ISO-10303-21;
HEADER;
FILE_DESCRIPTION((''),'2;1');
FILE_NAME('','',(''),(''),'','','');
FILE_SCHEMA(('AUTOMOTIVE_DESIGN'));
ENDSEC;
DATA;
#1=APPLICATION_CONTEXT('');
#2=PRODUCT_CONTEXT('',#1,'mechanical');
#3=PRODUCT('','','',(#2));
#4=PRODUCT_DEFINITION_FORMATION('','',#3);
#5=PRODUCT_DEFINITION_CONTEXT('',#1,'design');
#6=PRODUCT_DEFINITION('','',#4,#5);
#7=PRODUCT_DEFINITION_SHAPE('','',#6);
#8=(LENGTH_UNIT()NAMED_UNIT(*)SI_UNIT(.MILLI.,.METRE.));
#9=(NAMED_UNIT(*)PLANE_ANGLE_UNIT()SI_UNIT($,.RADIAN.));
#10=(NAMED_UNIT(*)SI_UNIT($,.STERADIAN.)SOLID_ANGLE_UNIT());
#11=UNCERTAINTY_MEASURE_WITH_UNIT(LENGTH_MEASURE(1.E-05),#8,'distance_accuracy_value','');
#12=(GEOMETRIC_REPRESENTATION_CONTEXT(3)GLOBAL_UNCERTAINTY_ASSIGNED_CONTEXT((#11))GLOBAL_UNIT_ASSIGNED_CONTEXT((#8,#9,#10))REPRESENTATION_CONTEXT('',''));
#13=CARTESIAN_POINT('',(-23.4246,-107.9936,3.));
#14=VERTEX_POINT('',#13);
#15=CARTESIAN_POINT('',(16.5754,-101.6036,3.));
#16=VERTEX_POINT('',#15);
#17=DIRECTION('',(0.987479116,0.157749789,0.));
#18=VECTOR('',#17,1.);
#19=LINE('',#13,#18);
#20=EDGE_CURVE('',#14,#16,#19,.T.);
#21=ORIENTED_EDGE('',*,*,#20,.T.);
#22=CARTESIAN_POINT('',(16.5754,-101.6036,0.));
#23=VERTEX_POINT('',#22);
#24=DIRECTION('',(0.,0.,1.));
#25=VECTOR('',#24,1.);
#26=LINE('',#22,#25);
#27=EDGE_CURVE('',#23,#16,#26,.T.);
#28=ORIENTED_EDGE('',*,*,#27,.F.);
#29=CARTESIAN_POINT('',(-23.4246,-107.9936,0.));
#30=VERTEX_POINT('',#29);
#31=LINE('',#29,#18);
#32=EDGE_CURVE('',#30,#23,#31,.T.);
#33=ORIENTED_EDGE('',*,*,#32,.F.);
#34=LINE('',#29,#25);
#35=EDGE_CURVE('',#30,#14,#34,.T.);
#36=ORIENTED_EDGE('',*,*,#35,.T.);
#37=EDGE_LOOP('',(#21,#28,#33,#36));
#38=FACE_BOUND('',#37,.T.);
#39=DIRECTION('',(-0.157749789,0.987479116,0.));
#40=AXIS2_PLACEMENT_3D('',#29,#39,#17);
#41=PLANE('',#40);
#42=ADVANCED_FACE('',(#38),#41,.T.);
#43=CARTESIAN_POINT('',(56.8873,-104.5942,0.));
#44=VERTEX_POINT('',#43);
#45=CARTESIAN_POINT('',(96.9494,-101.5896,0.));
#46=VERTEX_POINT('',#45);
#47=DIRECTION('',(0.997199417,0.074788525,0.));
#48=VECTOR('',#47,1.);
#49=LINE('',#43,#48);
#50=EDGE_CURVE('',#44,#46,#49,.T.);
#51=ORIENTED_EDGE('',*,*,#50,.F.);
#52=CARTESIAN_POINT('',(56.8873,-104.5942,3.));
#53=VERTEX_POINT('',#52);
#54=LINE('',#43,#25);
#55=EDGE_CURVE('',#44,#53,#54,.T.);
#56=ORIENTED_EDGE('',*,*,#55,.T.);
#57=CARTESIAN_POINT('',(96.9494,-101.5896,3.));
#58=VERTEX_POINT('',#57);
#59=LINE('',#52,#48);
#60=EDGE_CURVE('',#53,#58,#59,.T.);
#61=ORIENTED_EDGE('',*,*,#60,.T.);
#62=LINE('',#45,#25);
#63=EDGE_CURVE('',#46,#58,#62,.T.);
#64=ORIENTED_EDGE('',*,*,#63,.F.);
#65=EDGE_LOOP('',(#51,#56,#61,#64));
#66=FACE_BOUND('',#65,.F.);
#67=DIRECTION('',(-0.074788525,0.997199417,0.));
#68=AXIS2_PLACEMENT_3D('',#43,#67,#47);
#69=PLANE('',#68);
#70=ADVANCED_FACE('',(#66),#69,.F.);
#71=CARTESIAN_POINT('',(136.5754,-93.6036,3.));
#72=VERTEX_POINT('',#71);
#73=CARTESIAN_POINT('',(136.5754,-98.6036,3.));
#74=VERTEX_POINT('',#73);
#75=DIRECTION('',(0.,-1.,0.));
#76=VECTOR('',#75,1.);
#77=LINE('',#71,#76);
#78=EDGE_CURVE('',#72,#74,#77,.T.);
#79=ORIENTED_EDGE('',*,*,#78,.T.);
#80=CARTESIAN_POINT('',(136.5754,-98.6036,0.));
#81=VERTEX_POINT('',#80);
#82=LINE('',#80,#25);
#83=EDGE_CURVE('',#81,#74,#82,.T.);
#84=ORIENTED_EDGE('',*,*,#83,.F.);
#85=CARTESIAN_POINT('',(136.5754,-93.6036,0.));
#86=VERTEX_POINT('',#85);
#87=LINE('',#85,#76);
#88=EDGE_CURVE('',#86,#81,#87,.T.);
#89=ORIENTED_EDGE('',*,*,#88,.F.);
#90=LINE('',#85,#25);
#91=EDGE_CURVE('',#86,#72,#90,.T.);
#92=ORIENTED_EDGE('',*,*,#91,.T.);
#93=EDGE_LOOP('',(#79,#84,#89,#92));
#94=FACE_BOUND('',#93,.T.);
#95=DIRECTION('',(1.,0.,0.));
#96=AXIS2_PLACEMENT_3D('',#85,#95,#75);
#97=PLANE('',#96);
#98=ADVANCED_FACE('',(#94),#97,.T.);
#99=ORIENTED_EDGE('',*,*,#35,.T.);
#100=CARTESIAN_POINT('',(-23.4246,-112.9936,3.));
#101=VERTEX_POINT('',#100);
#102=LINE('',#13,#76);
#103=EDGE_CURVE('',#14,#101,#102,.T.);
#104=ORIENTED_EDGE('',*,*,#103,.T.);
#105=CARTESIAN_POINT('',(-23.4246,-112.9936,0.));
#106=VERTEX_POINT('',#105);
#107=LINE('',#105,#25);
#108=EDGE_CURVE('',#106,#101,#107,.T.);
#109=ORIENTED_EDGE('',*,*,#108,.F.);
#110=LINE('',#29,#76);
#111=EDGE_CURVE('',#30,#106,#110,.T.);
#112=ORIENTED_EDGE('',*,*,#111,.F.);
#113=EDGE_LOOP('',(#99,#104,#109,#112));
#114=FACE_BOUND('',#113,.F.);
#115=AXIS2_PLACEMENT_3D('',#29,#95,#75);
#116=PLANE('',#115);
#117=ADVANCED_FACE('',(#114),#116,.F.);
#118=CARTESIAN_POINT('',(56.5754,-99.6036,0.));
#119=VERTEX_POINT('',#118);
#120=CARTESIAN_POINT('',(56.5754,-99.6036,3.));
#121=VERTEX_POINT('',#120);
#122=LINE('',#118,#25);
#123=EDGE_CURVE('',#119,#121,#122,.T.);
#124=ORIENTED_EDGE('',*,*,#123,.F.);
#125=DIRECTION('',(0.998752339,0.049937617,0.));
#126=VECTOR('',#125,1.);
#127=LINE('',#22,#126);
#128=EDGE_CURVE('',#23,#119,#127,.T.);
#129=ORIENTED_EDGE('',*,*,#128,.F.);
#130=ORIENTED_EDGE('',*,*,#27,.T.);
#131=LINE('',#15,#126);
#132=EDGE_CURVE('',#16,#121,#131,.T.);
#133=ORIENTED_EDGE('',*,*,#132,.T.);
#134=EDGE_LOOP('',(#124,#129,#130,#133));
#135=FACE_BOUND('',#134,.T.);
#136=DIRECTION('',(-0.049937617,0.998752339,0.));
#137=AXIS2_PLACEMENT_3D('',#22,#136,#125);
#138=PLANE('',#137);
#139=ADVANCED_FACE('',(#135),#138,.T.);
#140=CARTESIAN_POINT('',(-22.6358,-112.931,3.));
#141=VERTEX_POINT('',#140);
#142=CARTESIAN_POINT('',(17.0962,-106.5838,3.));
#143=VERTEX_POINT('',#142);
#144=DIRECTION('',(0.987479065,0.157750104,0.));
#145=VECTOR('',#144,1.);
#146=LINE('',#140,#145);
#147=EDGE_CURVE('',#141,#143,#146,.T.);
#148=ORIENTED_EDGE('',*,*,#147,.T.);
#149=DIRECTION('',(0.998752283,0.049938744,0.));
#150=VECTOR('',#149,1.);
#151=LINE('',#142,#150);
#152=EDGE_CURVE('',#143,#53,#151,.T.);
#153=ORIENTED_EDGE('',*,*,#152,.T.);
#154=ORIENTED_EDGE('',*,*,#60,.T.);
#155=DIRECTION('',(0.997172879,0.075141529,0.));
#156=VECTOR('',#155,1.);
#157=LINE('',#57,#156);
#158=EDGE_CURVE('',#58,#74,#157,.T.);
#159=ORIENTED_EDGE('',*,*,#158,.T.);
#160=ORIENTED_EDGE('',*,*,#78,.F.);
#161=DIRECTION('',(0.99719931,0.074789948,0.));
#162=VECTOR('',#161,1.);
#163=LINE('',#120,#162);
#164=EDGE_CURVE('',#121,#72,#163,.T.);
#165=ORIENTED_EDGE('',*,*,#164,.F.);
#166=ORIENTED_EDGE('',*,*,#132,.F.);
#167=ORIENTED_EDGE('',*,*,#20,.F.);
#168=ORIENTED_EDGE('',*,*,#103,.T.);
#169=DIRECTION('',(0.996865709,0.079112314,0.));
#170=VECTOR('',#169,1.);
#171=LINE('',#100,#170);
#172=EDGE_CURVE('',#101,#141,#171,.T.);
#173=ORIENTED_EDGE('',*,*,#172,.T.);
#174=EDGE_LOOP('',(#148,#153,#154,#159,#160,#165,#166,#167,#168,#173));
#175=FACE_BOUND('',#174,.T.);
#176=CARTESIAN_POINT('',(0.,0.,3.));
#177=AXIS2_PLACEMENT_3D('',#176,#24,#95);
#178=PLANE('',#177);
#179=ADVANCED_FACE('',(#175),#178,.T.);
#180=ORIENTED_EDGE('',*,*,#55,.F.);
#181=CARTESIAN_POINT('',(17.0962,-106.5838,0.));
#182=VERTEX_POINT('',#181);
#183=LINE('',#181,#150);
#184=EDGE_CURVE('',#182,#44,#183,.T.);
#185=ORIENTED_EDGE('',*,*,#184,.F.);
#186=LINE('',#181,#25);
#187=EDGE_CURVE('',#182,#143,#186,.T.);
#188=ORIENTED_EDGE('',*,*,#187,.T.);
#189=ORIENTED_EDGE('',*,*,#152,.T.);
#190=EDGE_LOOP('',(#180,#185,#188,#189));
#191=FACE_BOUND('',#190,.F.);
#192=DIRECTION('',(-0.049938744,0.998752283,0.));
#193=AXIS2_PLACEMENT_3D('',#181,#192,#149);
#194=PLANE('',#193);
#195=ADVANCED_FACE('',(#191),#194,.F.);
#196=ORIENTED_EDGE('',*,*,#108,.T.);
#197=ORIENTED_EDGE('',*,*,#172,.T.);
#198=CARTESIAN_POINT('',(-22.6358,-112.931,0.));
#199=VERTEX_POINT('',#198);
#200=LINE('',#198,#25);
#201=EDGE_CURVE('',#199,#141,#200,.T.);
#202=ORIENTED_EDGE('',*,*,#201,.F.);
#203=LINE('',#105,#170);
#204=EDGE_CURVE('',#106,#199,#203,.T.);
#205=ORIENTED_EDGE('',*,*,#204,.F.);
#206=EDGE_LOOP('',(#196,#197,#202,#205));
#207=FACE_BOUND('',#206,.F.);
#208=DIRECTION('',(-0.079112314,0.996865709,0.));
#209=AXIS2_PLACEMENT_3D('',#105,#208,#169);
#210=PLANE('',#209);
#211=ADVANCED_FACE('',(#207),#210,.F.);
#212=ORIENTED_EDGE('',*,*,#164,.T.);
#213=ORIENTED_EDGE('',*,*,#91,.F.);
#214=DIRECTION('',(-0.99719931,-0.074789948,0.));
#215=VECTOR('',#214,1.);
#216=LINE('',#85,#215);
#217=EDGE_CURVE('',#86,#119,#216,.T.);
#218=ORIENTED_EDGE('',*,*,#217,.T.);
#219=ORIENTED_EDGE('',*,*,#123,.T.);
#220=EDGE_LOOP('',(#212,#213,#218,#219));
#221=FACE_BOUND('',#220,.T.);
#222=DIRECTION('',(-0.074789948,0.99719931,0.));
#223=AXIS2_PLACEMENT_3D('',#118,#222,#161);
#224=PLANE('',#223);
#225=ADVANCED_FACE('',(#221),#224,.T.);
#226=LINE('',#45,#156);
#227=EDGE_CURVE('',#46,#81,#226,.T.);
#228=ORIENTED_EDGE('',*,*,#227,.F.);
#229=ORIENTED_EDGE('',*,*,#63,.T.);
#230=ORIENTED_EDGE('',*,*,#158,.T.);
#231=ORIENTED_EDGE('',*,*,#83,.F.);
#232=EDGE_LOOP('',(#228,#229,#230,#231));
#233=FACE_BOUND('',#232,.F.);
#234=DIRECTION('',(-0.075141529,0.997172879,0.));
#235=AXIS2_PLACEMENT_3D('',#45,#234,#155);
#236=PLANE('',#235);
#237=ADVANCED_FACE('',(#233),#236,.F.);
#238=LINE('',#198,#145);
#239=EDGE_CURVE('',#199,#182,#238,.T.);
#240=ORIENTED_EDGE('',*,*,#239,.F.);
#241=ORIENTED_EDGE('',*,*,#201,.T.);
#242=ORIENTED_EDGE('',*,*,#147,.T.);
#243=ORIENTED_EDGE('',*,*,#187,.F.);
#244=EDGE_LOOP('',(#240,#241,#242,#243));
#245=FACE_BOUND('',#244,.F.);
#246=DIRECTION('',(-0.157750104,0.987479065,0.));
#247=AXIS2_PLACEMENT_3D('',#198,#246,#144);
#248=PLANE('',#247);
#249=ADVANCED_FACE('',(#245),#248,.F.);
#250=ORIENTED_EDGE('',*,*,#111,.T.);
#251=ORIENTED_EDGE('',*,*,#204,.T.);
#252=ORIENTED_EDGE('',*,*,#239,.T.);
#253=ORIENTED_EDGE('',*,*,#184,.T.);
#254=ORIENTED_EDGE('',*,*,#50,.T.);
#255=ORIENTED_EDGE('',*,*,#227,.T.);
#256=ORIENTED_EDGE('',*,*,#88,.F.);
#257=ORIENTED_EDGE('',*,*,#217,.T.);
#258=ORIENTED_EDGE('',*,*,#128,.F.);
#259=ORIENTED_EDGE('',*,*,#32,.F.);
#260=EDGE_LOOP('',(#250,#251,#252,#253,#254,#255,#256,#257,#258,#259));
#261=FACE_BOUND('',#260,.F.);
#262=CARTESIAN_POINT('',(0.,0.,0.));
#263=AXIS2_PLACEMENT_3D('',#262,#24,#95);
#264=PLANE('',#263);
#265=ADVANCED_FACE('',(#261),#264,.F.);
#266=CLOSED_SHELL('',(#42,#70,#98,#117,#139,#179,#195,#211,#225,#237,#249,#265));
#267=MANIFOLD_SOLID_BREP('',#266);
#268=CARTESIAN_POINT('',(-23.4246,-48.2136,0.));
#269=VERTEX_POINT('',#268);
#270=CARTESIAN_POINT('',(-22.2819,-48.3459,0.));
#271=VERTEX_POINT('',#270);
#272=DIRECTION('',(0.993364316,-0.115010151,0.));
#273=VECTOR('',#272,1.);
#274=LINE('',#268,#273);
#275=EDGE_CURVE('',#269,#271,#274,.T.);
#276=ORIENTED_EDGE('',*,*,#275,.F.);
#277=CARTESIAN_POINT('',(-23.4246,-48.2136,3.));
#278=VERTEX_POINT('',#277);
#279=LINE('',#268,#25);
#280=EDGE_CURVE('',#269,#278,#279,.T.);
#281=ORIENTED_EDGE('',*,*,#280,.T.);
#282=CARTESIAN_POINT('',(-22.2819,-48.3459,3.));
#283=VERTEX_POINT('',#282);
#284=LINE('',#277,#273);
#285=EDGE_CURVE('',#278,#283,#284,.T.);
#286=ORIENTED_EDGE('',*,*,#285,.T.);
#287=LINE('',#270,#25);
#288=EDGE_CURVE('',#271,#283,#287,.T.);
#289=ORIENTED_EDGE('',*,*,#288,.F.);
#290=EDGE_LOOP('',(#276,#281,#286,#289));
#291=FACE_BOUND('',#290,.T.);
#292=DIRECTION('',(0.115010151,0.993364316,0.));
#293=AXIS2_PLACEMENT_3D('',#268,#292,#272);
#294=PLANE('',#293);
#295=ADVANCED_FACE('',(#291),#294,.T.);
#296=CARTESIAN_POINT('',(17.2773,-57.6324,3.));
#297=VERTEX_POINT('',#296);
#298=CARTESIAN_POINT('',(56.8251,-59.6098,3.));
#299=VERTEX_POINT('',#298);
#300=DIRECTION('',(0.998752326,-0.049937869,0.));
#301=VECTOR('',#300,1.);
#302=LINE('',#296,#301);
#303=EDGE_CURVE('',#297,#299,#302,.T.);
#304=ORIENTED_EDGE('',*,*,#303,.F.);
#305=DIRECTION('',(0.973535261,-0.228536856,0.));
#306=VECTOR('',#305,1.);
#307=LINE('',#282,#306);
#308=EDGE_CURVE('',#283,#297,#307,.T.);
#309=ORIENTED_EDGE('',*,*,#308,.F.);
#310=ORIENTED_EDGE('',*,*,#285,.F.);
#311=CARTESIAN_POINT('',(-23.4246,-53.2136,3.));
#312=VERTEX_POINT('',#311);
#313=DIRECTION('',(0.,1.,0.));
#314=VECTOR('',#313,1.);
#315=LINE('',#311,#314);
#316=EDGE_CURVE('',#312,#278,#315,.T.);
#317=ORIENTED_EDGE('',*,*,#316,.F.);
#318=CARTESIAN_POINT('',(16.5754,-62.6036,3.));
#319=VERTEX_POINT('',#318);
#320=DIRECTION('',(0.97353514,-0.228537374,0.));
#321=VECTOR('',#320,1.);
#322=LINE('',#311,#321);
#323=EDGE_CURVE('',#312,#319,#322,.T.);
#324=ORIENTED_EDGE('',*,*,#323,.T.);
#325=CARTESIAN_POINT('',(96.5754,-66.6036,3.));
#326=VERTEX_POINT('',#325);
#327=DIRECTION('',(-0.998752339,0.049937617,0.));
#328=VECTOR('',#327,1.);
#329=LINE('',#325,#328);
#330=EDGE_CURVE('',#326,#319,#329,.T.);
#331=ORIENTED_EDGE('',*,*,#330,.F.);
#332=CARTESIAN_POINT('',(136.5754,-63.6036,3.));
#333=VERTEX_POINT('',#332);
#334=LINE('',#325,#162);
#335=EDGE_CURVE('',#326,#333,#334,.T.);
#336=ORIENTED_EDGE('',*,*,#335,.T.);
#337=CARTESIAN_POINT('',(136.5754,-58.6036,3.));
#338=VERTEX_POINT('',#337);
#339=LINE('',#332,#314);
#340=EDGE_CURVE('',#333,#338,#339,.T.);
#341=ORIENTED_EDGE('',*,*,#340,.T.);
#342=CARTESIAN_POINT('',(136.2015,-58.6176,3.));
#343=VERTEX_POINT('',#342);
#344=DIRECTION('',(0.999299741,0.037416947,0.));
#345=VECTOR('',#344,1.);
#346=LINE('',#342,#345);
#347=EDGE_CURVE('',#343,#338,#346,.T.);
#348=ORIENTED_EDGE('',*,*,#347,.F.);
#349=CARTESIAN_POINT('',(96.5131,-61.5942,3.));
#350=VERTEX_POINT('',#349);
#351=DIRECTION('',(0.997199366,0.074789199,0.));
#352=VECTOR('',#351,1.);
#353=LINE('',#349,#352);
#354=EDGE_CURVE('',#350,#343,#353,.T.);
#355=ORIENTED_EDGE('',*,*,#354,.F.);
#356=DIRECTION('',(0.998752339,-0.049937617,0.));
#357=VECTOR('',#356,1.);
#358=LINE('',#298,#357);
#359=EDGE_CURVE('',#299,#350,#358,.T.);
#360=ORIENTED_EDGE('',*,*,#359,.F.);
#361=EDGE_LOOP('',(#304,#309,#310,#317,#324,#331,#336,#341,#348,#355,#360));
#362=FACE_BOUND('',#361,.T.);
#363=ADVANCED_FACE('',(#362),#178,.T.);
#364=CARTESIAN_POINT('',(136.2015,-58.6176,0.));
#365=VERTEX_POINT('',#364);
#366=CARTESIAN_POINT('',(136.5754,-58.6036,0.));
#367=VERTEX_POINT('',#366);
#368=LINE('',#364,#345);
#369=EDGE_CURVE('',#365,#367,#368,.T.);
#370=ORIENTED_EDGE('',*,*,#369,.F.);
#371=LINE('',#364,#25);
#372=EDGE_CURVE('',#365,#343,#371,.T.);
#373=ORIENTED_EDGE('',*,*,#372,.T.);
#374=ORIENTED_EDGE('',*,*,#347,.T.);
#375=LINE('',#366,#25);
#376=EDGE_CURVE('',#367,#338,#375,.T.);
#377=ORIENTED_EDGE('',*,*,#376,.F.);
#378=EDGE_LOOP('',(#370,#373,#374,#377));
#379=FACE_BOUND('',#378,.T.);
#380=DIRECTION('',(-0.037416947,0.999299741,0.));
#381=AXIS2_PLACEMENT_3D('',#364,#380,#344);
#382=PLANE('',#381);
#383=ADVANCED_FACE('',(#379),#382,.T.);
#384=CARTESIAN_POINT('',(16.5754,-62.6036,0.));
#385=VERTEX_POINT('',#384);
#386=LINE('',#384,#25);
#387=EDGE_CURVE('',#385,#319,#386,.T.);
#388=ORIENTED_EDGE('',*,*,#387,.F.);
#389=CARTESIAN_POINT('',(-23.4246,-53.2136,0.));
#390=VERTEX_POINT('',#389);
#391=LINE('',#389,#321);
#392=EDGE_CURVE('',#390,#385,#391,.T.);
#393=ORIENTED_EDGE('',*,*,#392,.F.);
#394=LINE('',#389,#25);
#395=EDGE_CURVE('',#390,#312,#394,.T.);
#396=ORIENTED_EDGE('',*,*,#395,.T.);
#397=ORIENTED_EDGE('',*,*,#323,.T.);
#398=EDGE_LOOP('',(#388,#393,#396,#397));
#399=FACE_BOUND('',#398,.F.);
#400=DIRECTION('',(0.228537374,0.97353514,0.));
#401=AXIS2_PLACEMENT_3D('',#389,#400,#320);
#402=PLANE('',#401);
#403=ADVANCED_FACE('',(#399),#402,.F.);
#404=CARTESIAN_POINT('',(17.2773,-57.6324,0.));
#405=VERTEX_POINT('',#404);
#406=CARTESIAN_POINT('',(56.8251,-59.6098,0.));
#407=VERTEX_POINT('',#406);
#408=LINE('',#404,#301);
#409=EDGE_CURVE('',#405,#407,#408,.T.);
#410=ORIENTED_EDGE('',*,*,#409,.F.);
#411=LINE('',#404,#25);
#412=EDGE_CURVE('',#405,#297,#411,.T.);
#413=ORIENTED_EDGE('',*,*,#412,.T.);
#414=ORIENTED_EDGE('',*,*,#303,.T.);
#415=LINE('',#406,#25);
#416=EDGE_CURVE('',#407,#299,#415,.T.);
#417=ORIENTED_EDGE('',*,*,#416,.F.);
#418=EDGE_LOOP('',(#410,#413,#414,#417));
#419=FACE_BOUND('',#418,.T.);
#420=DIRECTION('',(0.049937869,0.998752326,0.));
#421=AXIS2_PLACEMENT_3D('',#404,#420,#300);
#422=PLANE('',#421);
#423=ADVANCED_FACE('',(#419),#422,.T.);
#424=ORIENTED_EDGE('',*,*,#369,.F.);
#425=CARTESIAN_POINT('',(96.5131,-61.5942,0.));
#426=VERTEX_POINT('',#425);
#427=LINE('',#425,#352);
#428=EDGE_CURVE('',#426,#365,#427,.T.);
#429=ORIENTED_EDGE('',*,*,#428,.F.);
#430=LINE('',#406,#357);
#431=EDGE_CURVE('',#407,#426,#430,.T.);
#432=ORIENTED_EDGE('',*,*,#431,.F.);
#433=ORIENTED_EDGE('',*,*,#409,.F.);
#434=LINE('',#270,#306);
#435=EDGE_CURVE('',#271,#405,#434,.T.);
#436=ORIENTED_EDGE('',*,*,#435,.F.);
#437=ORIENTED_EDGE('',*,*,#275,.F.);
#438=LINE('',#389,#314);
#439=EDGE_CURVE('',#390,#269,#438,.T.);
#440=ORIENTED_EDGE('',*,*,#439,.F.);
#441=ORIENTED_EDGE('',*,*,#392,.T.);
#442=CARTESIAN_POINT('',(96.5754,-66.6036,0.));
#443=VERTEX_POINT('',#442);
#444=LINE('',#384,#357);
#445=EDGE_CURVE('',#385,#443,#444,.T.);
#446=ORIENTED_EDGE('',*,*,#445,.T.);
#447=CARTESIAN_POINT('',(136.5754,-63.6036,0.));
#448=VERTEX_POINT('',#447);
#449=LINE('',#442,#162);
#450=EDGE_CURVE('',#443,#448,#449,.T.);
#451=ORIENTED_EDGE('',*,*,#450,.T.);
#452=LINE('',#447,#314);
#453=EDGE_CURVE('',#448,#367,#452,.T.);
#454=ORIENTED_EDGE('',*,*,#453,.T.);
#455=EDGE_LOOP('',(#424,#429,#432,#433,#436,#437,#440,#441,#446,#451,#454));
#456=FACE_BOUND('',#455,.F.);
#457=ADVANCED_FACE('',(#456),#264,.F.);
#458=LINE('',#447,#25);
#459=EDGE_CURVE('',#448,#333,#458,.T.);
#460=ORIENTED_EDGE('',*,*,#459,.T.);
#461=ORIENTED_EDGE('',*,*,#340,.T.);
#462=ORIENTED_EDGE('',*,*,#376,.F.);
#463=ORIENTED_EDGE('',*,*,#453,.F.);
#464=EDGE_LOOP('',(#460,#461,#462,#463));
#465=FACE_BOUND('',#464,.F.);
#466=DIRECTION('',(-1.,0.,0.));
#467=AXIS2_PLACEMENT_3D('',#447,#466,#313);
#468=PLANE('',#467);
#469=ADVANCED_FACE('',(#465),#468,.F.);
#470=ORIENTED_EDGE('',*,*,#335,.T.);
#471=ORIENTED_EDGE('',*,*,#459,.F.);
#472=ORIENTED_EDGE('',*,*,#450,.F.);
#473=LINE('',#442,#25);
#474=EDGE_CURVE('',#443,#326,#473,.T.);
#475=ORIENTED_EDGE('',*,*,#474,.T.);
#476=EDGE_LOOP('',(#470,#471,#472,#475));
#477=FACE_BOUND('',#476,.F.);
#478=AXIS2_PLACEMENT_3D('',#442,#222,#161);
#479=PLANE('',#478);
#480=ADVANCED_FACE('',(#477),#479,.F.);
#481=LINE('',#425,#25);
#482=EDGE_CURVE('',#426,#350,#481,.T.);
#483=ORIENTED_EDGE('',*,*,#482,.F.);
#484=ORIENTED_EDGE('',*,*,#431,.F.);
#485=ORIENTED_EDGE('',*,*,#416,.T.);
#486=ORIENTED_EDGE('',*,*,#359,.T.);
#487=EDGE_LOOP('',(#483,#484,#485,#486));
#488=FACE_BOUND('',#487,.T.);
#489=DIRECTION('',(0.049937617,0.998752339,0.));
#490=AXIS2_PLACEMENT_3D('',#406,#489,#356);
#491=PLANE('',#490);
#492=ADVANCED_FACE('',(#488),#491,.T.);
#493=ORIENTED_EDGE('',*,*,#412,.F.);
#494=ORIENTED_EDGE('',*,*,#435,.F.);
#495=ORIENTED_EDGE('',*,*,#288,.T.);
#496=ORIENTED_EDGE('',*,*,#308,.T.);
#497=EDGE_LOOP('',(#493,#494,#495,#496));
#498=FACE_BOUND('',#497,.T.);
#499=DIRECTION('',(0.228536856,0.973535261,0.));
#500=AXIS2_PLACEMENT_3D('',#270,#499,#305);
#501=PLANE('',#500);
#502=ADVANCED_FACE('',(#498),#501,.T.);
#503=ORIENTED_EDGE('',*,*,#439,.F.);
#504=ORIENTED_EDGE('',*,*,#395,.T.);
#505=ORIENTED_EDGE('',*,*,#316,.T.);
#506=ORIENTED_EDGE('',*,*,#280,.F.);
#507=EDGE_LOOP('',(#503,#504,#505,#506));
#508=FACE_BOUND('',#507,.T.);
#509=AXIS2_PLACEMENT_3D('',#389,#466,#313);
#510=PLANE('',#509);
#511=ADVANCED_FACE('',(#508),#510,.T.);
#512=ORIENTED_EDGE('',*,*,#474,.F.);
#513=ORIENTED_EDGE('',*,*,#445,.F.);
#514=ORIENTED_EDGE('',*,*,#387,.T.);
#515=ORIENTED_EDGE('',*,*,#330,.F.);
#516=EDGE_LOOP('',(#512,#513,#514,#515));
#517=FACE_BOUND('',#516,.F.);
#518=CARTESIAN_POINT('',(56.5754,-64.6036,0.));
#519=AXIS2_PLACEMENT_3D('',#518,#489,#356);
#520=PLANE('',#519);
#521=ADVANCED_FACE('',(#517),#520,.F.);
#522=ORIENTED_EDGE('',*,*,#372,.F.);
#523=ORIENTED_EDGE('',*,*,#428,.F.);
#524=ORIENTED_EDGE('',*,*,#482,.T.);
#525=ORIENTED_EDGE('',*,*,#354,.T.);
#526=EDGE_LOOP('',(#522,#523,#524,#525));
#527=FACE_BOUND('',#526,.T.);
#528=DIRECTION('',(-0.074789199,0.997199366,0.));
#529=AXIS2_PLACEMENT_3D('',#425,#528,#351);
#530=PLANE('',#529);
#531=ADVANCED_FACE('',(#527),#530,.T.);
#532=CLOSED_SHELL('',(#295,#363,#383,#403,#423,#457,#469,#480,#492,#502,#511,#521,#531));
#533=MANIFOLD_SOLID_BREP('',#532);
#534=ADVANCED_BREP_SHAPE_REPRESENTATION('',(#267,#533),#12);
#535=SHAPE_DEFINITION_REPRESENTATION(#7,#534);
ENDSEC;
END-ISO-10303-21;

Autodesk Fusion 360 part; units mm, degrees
sketch "Sketch1" plane through (0, 0, 0) normal (0, 0, 1) x (1, 0, 0)
  line L0 (-23.4246, -53.2136) -> (16.5754, -62.6036)
  line L1 (16.5754, -62.6036) -> (56.5754, -64.6036)
  line L2 (56.5754, -64.6036) -> (96.5754, -66.6036)
  line L3 (96.5754, -66.6036) -> (136.5754, -63.6036)
  line L4 (-23.4246, -107.9936) -> (16.5754, -101.6036)
  line L5 (16.5754, -101.6036) -> (56.5754, -99.6036)
  line L6 (56.5754, -99.6036) -> (96.5754, -96.6036)
  line L7 (96.5754, -96.6036) -> (136.5754, -93.6036)
  line L8 (-22.2819, -48.3459) -> (17.2773, -57.6324)
  line L9 (17.2773, -57.6324) -> (56.8251, -59.6098)
  line L10 (56.8251, -59.6098) -> (96.5131, -61.5942)
  line L11 (96.5131, -61.5942) -> (136.2015, -58.6176)
  line L12 (-22.6358, -112.931) -> (17.0962, -106.5838)
  line L13 (17.0962, -106.5838) -> (56.8873, -104.5942)
  line L14 (56.8873, -104.5942) -> (96.9494, -101.5896)
  line L15 (-23.4246, -53.2136) -> (-23.4246, -48.2136)
  line L16 (-23.4246, -107.9936) -> (-23.4246, -112.9936)
  line L17 (136.5754, -93.6036) -> (136.5754, -98.6036)
  line L18 (136.5754, -63.6036) -> (136.5754, -58.6036)
  line L19 (-23.4246, -48.2136) -> (-22.2819, -48.3459)
  line L20 (-23.4246, -112.9936) -> (-22.6358, -112.931)
  line L21 (96.9494, -101.5896) -> (136.5754, -98.6036)
  line L22 (136.2015, -58.6176) -> (136.5754, -58.6036)
  dimension "d1" = 54.78
  dimension "d21" = -5
  dimension "d23" = 5
  dimension "d24" = 5
  dimension "d25" = 5
  dimension "d26" = 5
extrude "Extrude1" add sketch "Sketch1" along normal blind 3 makes body 1 at (96.7001, -98.2656, 0) makes body 2 at (43.4761, -62.2799, 0)
